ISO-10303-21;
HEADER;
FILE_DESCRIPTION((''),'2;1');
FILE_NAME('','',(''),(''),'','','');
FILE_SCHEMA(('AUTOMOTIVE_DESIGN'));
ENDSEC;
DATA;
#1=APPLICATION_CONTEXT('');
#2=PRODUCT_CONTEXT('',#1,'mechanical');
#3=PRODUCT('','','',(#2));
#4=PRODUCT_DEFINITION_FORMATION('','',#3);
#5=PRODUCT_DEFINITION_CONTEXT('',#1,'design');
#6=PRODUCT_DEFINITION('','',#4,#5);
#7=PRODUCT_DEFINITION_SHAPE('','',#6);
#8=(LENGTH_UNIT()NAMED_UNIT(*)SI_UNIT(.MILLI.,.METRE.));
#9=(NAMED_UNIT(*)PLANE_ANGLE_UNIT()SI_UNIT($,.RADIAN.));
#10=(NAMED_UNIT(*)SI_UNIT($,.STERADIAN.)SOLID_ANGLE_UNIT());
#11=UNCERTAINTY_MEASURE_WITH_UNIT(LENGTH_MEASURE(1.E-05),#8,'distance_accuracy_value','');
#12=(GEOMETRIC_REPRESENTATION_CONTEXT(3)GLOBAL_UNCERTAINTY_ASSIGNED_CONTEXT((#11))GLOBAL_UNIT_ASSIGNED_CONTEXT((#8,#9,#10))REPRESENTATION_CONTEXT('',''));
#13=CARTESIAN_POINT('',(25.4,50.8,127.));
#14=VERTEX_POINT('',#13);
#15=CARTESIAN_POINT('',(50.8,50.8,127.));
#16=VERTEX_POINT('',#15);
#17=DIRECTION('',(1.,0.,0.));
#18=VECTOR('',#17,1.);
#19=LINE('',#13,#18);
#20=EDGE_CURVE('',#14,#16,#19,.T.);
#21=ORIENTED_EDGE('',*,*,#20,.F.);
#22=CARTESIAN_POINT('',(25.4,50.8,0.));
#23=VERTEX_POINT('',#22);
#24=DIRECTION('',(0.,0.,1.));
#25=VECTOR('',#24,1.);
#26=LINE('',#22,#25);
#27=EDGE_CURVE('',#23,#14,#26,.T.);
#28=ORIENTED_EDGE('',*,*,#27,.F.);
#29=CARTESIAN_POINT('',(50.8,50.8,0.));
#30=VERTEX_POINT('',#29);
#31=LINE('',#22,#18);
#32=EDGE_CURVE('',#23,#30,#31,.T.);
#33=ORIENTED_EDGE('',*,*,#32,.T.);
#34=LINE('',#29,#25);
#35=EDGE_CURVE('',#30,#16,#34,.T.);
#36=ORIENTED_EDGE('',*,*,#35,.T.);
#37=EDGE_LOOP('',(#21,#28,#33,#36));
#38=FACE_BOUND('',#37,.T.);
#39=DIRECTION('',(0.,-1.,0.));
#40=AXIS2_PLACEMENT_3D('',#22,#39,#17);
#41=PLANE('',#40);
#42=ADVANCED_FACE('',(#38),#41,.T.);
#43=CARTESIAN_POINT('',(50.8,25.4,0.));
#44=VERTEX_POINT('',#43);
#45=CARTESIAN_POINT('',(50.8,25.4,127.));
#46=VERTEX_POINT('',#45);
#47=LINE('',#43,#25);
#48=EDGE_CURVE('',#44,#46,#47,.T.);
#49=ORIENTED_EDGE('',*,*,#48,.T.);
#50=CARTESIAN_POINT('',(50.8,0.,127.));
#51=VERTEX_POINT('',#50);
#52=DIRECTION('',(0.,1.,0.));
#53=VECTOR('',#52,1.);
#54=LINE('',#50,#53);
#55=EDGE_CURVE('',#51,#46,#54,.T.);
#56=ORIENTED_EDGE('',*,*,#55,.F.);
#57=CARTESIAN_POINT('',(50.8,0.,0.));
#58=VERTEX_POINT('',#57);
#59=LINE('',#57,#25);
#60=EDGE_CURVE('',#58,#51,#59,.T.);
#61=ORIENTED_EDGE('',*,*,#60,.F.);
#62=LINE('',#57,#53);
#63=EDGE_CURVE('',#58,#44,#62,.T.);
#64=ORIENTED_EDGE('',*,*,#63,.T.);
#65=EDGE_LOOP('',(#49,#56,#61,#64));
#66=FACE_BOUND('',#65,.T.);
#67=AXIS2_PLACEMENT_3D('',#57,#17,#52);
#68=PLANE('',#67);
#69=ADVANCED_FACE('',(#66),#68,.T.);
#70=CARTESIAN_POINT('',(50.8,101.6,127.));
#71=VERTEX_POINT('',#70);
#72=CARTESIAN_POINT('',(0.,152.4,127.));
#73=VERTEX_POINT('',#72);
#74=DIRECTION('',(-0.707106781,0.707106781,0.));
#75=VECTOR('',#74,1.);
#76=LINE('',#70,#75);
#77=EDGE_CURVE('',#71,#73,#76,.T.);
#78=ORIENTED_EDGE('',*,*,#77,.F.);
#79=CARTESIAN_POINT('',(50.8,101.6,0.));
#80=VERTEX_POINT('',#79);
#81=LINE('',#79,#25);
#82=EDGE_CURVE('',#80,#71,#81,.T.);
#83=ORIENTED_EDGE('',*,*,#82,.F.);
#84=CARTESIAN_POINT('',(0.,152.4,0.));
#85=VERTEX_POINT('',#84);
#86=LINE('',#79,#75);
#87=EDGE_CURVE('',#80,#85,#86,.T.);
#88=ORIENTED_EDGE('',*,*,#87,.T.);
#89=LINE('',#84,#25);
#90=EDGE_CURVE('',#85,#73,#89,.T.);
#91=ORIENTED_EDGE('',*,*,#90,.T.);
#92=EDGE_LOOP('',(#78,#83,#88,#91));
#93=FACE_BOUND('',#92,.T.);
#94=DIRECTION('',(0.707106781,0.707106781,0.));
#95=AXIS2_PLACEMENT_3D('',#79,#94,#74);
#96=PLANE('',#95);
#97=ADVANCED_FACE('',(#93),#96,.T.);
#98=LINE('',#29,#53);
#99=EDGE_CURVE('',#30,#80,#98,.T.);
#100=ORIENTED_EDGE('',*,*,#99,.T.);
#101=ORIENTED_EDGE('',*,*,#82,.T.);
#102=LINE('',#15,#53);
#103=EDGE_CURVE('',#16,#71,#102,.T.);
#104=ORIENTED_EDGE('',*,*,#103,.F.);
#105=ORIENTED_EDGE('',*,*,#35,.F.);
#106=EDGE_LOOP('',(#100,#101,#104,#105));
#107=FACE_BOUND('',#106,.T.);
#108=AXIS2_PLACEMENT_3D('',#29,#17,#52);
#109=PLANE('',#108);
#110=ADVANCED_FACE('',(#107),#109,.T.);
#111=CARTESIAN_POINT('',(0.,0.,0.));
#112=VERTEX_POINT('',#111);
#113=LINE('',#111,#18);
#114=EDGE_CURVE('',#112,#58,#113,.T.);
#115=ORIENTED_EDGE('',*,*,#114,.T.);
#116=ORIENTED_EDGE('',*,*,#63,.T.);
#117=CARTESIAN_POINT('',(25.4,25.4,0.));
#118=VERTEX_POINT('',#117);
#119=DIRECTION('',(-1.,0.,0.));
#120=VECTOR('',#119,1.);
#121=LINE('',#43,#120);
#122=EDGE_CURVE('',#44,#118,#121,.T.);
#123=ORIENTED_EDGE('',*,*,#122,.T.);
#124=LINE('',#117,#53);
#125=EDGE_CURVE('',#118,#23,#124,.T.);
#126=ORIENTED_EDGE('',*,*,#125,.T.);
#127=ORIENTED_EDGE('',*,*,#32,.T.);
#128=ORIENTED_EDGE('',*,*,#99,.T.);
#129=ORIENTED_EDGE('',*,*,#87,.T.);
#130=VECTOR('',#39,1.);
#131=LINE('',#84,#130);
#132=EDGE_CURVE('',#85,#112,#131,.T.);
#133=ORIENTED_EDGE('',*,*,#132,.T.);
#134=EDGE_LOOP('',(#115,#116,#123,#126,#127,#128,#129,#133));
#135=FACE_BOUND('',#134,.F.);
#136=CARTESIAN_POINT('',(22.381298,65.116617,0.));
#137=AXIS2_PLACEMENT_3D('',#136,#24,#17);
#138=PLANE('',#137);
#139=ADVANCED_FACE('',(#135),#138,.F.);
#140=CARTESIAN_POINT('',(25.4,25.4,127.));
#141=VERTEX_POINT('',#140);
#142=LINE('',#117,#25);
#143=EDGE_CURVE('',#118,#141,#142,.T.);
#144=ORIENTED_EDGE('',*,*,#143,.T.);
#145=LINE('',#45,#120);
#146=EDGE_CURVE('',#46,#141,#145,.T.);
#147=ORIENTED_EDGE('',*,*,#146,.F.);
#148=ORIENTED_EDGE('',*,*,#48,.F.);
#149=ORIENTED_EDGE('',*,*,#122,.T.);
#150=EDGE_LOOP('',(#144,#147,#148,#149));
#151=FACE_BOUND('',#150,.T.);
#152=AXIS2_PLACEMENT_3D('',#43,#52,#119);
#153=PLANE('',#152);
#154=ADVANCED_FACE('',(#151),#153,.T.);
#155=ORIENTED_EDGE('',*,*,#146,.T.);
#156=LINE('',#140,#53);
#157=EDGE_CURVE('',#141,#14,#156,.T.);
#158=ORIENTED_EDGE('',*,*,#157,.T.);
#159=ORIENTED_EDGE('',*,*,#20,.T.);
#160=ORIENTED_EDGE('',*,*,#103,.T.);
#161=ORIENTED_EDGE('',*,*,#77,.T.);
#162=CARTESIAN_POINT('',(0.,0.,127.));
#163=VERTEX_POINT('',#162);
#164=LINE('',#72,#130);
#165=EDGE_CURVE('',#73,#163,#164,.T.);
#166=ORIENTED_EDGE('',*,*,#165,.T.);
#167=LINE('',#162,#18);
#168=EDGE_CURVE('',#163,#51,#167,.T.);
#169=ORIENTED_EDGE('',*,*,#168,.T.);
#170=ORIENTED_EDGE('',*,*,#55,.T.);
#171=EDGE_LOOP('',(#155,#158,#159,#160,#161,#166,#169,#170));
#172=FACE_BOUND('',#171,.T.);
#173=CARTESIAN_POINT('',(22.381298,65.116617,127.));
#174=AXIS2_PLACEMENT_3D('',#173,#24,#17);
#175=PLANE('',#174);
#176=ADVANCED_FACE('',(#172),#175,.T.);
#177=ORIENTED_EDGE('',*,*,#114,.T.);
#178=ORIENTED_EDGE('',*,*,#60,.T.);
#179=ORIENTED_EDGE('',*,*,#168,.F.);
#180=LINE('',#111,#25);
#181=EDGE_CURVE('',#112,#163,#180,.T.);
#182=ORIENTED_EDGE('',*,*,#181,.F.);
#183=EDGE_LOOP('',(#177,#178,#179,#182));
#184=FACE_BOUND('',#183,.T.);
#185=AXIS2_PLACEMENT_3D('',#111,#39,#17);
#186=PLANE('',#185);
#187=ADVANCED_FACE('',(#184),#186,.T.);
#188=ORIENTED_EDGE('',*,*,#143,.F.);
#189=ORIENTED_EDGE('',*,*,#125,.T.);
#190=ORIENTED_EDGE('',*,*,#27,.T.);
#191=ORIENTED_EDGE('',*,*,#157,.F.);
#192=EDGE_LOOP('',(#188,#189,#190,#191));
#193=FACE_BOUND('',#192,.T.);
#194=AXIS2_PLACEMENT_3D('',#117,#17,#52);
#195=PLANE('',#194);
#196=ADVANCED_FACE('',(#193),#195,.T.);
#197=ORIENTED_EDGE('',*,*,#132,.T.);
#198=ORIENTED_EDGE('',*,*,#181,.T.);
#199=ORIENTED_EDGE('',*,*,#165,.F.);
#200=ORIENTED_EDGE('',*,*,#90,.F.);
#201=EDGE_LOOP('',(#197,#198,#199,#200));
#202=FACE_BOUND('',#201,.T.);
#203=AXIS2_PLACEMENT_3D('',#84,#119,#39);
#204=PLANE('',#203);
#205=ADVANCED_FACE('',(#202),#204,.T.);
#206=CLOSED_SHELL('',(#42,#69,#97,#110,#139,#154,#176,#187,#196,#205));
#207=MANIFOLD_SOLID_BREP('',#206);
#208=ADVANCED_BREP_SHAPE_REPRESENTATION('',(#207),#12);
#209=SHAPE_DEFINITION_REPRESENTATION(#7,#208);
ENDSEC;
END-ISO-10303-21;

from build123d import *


with BuildPart() as f2:
    # F2: sweep along a path in F1
    with BuildLine(Plane.YZ) as f2_path:
        Line((0, 0), (0, 127))
    # F0 (on Top) → F2 (sweep)
    with BuildSketch(Plane.XY):
        Polygon((0, 152.4), (0, 0), (50.8, 0), (50.8, 25.4), (25.4, 25.4), (25.4, 50.8), (50.8, 50.8), (50.8, 101.6), align=None)
    sweep(path=f2_path.line)


solid = f2.part
